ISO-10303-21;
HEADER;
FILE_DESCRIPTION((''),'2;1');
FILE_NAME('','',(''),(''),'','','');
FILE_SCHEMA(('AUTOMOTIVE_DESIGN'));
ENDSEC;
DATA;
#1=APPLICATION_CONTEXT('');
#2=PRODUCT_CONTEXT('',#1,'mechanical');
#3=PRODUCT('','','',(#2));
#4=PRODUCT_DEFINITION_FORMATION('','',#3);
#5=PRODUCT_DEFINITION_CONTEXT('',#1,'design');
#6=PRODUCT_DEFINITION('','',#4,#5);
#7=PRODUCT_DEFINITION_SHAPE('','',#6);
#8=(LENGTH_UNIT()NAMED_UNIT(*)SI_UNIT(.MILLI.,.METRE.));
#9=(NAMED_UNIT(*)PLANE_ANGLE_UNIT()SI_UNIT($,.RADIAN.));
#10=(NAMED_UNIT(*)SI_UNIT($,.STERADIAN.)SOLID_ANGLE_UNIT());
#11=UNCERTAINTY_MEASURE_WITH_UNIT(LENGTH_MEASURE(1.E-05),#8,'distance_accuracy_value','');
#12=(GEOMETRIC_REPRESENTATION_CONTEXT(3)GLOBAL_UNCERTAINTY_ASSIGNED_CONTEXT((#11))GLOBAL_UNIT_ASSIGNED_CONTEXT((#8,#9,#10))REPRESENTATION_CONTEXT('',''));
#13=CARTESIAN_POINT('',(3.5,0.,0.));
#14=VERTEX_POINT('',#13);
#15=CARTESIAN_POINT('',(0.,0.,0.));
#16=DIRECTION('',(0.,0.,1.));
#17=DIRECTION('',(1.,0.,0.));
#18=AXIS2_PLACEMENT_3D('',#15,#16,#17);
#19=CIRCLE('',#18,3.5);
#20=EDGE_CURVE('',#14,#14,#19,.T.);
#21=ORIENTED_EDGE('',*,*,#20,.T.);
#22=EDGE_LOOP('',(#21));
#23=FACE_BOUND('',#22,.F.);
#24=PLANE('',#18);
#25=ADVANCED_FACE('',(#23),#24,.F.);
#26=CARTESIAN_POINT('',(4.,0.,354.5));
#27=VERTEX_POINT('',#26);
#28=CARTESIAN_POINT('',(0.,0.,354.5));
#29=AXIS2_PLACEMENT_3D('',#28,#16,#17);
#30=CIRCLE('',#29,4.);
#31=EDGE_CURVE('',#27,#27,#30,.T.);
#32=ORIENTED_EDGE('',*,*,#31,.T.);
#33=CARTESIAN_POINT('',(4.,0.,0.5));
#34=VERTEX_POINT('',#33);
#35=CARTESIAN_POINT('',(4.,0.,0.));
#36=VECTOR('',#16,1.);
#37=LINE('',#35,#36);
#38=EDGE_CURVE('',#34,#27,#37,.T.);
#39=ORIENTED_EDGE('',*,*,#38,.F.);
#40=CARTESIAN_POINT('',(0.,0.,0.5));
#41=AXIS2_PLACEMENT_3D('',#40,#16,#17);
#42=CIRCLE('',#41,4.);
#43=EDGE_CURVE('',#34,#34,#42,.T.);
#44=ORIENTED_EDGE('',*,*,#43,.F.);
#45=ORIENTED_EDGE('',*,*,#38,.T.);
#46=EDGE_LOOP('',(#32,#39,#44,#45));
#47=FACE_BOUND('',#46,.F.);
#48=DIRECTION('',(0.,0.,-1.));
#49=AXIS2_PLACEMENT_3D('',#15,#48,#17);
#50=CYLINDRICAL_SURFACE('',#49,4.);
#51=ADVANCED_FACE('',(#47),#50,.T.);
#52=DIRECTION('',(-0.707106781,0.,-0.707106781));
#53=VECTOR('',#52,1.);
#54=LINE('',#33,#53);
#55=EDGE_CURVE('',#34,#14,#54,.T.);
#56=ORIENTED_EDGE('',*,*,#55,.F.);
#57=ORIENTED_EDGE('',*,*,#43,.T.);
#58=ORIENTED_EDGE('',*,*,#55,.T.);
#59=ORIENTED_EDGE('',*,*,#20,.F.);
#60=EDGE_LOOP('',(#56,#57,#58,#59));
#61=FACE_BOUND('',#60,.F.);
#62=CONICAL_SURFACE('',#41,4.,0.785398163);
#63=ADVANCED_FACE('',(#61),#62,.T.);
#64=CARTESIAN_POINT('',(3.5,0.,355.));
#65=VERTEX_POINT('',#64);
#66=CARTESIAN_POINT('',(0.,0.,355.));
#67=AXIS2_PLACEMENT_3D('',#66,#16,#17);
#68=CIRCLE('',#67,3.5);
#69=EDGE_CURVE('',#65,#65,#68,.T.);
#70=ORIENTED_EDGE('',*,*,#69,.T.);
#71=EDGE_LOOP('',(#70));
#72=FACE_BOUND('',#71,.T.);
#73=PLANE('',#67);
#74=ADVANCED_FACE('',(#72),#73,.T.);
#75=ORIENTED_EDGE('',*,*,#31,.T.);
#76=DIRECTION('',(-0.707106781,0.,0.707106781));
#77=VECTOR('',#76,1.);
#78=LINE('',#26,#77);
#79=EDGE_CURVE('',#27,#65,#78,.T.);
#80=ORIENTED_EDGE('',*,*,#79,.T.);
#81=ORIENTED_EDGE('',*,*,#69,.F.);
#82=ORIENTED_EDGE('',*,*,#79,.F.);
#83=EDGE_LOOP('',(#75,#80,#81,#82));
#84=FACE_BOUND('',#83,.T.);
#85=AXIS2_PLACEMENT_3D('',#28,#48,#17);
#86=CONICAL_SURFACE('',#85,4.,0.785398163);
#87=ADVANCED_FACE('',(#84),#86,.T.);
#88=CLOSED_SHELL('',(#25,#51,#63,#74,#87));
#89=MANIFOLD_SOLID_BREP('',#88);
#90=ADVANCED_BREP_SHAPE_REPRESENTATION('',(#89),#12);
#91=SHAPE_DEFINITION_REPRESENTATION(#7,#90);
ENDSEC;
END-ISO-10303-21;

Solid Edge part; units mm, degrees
sketch "Sketch1" plane through (0, 0, 0) normal (0, 0, 1) x (1, 0, 0)
  circle A0 centre (0, 0) radius 4
  dimension "D1" = 8
extrude "Protrusion1" add sketch "Sketch1" along normal blind 355
chamfer "Chamfer_1" distance 0.5 angle 45 2 edges at (-4, 0, 0) (-4, 0, 355)
cosmetic_thread "Thread1" size "Tr 8 x 2"
properties material "Stainless steel"
